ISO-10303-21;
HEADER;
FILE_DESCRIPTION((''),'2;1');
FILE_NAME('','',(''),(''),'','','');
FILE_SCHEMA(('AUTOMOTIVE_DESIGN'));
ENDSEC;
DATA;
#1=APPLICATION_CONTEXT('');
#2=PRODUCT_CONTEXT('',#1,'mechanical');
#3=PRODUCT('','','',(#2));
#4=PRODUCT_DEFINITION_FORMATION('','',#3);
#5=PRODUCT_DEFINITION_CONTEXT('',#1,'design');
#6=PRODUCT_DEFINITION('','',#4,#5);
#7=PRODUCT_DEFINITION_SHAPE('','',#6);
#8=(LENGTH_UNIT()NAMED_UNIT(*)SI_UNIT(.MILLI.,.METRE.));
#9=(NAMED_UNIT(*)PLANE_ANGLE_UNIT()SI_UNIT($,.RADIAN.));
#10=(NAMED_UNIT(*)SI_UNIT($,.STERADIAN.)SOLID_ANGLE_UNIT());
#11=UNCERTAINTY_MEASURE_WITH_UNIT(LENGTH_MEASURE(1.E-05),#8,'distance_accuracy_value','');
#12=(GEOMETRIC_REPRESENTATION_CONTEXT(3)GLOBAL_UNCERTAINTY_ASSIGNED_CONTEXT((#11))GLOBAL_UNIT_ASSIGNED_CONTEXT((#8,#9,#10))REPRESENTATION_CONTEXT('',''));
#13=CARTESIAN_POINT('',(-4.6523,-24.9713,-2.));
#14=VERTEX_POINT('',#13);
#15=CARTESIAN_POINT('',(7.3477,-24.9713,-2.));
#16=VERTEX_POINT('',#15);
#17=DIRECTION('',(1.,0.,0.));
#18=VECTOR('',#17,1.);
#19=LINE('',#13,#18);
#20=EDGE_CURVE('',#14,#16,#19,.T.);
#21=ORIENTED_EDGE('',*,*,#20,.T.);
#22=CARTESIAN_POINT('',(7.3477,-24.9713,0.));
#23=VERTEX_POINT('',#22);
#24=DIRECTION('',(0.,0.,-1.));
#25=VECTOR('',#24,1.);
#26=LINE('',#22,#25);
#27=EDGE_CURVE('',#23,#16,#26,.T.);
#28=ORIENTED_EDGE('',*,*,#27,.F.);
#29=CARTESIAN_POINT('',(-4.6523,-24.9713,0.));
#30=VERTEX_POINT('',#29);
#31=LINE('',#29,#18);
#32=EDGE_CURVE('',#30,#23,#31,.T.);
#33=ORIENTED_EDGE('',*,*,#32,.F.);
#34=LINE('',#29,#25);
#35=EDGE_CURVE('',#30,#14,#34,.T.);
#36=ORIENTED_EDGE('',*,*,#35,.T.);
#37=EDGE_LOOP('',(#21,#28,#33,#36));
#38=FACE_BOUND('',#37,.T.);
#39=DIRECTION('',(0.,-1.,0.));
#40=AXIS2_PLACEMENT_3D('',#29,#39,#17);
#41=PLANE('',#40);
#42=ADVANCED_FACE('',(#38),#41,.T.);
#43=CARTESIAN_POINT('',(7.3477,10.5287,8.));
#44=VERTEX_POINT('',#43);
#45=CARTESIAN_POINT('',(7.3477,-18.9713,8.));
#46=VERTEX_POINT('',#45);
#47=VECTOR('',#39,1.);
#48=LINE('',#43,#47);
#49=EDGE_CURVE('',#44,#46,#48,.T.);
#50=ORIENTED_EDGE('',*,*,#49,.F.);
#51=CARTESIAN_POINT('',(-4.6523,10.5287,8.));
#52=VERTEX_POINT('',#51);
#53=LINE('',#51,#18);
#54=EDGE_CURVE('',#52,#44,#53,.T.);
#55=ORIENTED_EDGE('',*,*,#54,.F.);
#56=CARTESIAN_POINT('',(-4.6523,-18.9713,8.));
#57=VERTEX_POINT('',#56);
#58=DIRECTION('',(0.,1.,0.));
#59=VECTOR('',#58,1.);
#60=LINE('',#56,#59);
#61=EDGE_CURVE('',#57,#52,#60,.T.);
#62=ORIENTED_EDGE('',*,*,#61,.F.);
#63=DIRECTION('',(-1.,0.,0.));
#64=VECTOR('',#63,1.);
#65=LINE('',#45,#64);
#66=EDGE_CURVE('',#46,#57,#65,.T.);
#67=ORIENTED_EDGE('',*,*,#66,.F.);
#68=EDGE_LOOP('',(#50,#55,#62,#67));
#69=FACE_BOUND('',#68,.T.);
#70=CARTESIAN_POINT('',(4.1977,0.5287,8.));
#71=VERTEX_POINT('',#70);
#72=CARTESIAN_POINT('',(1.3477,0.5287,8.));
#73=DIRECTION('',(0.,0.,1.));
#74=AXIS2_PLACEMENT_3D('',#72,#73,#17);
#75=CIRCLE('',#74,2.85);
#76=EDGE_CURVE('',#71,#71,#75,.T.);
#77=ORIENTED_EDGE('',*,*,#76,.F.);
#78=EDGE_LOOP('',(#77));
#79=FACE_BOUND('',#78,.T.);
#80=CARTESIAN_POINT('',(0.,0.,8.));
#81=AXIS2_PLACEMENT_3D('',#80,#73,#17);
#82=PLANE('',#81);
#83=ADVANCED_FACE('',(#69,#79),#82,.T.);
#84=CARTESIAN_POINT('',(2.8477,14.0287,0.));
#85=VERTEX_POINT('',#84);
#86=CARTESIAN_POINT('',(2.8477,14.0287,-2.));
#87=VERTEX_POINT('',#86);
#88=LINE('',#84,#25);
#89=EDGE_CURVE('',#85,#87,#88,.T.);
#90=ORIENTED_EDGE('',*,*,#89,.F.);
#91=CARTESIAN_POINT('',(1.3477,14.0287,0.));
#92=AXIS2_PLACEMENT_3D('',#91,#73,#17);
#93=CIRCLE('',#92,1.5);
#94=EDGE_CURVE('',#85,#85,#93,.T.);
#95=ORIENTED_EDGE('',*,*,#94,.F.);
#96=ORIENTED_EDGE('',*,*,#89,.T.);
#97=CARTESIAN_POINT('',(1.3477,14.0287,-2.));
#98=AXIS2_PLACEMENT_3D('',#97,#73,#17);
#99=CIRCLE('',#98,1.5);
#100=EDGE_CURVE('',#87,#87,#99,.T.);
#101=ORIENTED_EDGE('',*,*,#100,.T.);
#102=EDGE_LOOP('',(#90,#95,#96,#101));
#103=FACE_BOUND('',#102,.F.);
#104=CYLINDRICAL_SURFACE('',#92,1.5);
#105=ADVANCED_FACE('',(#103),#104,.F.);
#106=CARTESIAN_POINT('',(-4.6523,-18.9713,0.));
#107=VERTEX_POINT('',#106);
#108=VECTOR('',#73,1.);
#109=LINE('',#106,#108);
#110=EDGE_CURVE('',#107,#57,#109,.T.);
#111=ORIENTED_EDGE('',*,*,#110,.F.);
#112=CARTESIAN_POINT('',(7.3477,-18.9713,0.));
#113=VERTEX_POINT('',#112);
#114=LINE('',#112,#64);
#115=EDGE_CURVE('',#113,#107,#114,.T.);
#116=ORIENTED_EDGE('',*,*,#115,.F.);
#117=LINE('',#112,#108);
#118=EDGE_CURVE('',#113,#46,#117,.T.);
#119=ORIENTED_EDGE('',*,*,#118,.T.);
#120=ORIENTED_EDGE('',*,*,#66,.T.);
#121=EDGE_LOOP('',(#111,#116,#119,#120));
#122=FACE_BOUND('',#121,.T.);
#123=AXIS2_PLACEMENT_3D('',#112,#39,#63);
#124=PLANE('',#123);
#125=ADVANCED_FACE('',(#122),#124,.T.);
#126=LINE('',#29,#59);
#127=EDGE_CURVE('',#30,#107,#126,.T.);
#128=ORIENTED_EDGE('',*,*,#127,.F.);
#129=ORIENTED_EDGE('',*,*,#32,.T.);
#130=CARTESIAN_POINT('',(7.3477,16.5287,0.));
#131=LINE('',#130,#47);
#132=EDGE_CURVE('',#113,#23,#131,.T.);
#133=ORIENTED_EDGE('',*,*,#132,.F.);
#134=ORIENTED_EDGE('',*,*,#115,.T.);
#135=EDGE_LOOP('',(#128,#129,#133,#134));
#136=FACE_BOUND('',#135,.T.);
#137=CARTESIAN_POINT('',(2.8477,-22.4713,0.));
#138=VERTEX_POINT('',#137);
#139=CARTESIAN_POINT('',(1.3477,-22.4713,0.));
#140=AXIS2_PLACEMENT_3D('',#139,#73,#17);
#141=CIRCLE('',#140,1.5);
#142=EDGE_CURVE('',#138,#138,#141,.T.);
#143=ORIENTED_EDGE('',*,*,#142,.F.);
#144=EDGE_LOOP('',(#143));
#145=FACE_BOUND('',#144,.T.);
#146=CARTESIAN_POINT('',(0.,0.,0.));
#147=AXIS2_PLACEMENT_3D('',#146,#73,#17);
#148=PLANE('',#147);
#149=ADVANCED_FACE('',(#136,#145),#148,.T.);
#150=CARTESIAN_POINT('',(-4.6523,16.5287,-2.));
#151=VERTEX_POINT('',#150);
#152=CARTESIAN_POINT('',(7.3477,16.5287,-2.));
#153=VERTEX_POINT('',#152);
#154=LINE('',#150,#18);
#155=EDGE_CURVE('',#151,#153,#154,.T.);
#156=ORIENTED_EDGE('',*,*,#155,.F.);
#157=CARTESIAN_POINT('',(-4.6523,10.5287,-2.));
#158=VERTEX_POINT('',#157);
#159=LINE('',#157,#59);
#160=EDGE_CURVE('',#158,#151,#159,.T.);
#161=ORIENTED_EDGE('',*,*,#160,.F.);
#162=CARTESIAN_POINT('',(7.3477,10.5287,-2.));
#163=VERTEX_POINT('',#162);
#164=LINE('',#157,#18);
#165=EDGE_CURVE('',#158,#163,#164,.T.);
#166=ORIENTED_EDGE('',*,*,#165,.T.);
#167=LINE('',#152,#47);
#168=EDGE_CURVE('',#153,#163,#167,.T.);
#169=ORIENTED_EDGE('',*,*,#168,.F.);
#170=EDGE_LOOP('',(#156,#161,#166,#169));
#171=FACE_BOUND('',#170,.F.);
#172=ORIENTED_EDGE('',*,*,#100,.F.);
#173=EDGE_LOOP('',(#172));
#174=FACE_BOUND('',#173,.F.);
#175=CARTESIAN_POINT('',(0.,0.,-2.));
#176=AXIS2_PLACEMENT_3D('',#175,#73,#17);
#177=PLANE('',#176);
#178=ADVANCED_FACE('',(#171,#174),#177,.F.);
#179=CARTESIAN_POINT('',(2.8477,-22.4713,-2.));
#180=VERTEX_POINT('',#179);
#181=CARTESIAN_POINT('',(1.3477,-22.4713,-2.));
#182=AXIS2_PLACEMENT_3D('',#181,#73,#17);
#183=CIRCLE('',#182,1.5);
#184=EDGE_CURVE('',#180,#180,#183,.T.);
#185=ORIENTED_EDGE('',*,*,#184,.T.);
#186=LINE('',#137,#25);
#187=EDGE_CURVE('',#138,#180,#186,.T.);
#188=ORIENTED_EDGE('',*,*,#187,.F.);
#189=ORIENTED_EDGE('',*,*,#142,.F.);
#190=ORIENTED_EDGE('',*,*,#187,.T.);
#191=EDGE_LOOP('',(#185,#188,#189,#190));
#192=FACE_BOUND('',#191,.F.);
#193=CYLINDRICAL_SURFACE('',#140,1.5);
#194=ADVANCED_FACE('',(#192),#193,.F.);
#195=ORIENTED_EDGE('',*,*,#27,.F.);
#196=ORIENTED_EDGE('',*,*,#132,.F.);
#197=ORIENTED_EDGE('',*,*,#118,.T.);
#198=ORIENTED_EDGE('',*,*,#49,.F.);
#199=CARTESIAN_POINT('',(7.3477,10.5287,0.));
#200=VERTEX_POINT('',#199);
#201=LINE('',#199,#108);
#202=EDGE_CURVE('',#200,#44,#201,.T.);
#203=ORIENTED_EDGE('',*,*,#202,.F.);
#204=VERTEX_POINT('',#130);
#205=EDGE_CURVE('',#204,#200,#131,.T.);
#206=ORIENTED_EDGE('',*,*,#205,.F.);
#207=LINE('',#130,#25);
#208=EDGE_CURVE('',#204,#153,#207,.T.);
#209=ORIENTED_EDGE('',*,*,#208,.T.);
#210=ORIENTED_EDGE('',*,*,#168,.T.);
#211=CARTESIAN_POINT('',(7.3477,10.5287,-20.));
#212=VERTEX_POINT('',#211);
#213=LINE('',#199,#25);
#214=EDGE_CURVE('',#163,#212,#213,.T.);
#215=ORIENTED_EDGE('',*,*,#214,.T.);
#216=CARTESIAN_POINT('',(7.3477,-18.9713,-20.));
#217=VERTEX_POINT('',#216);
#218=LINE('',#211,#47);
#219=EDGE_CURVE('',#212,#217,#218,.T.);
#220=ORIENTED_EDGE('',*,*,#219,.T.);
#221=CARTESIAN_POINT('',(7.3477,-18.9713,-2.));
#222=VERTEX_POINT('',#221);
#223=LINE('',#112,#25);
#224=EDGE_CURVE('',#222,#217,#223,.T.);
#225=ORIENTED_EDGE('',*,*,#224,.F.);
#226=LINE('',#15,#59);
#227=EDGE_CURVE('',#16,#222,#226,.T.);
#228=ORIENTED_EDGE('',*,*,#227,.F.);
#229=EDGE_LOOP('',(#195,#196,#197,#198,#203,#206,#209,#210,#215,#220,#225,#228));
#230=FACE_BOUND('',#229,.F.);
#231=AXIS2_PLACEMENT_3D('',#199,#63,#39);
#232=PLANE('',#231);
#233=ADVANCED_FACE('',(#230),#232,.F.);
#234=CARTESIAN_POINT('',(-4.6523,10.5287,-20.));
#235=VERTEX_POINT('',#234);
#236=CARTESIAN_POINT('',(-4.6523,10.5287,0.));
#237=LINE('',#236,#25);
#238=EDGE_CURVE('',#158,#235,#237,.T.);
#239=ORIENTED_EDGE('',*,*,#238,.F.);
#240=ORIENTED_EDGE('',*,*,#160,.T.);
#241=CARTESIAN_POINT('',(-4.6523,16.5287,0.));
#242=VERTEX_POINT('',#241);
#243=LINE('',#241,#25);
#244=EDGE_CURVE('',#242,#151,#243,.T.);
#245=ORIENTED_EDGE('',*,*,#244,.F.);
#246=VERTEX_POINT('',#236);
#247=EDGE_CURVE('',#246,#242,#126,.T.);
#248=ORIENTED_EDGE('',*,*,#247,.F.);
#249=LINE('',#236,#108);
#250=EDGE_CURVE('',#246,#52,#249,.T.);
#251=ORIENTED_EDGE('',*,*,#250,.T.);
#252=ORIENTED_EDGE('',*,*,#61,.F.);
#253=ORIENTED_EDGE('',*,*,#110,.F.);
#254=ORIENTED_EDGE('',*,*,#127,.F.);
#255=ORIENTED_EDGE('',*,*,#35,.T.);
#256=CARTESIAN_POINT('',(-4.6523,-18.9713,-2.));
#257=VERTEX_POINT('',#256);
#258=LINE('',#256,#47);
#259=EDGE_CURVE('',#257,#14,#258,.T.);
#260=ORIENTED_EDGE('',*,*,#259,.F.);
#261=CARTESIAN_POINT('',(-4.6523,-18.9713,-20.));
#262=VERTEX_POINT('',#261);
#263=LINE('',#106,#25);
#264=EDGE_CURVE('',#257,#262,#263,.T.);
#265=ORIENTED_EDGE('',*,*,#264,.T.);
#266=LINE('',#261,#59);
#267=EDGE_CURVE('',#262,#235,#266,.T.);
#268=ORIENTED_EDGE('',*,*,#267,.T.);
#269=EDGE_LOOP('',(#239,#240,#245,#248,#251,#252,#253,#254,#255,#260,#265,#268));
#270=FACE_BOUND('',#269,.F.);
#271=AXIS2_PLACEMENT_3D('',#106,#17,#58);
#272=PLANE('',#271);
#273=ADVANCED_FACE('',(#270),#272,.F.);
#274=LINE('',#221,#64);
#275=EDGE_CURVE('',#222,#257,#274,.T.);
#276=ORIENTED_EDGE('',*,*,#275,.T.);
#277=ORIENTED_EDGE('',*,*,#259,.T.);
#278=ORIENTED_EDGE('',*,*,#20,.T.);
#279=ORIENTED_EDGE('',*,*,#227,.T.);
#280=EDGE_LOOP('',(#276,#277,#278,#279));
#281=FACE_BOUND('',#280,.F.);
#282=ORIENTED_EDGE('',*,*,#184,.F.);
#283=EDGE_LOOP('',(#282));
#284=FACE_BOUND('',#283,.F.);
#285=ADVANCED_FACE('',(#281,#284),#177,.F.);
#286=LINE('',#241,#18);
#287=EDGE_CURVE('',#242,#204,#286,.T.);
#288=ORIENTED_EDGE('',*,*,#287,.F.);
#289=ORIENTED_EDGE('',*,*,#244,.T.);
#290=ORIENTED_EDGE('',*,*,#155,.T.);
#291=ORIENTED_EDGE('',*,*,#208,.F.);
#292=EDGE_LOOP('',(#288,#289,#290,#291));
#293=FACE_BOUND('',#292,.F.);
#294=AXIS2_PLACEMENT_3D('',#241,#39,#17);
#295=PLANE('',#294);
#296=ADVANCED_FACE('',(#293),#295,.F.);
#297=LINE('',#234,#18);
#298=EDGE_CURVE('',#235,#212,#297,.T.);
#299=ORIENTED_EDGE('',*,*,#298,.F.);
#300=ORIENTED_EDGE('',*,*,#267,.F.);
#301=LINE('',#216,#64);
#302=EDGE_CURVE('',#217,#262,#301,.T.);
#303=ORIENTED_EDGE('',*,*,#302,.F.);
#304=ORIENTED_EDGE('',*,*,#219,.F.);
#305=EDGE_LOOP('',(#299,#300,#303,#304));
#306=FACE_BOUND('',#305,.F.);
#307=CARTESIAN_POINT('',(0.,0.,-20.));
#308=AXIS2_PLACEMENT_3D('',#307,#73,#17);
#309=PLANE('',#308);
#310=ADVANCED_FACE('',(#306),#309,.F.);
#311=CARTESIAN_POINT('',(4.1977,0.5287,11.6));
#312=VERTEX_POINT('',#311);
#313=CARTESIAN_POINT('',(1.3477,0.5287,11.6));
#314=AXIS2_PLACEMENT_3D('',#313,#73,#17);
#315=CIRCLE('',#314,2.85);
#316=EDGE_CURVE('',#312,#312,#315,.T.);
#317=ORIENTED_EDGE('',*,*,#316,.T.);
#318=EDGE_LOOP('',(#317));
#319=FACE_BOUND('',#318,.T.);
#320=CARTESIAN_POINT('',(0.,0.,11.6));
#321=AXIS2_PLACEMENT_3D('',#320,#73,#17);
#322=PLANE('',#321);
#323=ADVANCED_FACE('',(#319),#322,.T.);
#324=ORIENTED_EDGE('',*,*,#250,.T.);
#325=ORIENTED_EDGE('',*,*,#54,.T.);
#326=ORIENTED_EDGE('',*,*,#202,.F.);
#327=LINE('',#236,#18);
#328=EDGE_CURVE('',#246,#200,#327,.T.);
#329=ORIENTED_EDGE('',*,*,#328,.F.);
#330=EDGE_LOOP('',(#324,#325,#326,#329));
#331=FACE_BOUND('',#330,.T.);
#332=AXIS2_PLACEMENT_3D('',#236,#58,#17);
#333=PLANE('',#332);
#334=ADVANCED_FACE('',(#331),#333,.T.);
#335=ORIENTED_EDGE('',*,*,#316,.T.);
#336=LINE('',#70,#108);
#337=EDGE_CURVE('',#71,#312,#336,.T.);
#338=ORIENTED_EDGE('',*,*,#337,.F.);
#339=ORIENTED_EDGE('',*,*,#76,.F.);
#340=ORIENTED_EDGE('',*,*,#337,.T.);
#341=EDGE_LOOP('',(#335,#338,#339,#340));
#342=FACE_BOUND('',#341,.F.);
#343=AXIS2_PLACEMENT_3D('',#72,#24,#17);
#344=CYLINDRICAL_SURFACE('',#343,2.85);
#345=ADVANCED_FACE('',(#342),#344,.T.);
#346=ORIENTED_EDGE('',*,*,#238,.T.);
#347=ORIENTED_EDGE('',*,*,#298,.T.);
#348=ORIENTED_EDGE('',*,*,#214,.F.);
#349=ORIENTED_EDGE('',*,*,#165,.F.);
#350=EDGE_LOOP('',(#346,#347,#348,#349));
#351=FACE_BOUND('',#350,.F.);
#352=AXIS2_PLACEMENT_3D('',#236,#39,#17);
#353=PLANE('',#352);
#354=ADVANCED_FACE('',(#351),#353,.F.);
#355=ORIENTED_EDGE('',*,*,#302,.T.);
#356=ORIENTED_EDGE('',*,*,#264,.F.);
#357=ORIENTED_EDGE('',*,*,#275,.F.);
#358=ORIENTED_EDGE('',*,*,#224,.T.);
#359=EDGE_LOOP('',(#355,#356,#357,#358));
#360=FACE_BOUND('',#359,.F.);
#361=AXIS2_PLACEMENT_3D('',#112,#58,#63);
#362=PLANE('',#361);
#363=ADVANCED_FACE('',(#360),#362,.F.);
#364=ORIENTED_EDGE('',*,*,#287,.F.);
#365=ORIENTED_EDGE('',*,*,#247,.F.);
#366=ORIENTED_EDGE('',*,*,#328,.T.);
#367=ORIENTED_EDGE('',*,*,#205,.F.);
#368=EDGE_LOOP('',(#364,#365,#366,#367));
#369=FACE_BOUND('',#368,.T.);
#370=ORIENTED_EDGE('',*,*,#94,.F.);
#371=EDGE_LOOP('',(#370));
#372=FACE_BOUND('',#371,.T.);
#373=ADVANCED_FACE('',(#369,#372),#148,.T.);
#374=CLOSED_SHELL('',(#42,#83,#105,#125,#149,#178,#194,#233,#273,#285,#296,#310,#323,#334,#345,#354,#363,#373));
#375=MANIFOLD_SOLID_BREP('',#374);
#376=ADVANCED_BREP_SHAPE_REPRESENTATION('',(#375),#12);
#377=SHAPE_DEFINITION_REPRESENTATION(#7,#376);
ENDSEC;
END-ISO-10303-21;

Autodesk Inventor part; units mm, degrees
ref_plane "YZ Plane" through (0, 0, 0) normal (1, 0, 0) x (0, 1, 0)
ref_plane "XZ Plane" through (0, 0, 0) normal (0, 1, 0) x (-1, 0, 0)
ref_plane "XY Plane" through (0, 0, 0) normal (0, 0, 1) x (1, 0, 0)
sketch "Sketch1" plane through (0, 0, 0) normal (0, 0, 1) x (1, 0, 0)
  line L0 (-4.6523, 10.5287) -> (7.3477, 10.5287)
  line L1 (7.3477, 10.5287) -> (7.3477, -18.9713)
  line L2 (7.3477, -18.9713) -> (-4.6523, -18.9713)
  line L3 (-4.6523, -18.9713) -> (-4.6523, 10.5287)
  line L4 (-4.6523, 10.5287) -> (-4.6523, 16.5287)
  line L5 (-4.6523, 16.5287) -> (7.3477, 16.5287)
  line L6 (7.3477, 16.5287) -> (7.3477, 10.5287)
  line L7 (-4.6523, -18.9713) -> (-4.6523, -24.9713)
  line L8 (-4.6523, -24.9713) -> (7.3477, -24.9713)
  line L9 (7.3477, -24.9713) -> (7.3477, -18.9713)
  circle A0 centre (1.3477, 14.0287) radius 1.5
  circle A1 centre (1.3477, -22.4713) radius 1.5
  point P0 (0, 0)
  dimension "d0" = 12
  dimension "d1" = 29.5
  dimension "d2" = 6
  dimension "d3" = 6
  dimension "d4" = 3
  dimension "d5" = 3
  dimension "d23" = 2.5
  dimension "d24" = 2.5
  dimension "d25" = 3.5
  dimension "d26" = 6
  dimension "d27" = 6
extrude "Extrusion1" add sketch "Sketch1" against normal blind 20 contours L0 L1 L2 L3
extrude "Extrusion2" add sketch "Sketch1" against normal blind 2 contours L4 L5 L6 L0 | L2 L9 L8 L7
extrude "Extrusion3" add sketch "Sketch1" along normal blind 8 contours L0 L1 L2 L3
sketch "Sketch3" plane through (0, 0, 8) normal (0, 0, 1) x (1, 0, 0)
  line L0 (-4.6523, 10.5287) -> (7.3477, 10.5287) projected
  circle A0 centre (1.3477, 0.5287) radius 2.85
  line L1 (-4.6523, -18.9713) -> (-4.6523, 10.5287) projected
  point P0 (0, 0)
  dimension "d18" = 5.7
  dimension "d19" = 10
  dimension "d28" = 6
extrude "Extrusion5" add sketch "Sketch3" along normal blind 3.6
properties part number "GWS servo micro MG"
